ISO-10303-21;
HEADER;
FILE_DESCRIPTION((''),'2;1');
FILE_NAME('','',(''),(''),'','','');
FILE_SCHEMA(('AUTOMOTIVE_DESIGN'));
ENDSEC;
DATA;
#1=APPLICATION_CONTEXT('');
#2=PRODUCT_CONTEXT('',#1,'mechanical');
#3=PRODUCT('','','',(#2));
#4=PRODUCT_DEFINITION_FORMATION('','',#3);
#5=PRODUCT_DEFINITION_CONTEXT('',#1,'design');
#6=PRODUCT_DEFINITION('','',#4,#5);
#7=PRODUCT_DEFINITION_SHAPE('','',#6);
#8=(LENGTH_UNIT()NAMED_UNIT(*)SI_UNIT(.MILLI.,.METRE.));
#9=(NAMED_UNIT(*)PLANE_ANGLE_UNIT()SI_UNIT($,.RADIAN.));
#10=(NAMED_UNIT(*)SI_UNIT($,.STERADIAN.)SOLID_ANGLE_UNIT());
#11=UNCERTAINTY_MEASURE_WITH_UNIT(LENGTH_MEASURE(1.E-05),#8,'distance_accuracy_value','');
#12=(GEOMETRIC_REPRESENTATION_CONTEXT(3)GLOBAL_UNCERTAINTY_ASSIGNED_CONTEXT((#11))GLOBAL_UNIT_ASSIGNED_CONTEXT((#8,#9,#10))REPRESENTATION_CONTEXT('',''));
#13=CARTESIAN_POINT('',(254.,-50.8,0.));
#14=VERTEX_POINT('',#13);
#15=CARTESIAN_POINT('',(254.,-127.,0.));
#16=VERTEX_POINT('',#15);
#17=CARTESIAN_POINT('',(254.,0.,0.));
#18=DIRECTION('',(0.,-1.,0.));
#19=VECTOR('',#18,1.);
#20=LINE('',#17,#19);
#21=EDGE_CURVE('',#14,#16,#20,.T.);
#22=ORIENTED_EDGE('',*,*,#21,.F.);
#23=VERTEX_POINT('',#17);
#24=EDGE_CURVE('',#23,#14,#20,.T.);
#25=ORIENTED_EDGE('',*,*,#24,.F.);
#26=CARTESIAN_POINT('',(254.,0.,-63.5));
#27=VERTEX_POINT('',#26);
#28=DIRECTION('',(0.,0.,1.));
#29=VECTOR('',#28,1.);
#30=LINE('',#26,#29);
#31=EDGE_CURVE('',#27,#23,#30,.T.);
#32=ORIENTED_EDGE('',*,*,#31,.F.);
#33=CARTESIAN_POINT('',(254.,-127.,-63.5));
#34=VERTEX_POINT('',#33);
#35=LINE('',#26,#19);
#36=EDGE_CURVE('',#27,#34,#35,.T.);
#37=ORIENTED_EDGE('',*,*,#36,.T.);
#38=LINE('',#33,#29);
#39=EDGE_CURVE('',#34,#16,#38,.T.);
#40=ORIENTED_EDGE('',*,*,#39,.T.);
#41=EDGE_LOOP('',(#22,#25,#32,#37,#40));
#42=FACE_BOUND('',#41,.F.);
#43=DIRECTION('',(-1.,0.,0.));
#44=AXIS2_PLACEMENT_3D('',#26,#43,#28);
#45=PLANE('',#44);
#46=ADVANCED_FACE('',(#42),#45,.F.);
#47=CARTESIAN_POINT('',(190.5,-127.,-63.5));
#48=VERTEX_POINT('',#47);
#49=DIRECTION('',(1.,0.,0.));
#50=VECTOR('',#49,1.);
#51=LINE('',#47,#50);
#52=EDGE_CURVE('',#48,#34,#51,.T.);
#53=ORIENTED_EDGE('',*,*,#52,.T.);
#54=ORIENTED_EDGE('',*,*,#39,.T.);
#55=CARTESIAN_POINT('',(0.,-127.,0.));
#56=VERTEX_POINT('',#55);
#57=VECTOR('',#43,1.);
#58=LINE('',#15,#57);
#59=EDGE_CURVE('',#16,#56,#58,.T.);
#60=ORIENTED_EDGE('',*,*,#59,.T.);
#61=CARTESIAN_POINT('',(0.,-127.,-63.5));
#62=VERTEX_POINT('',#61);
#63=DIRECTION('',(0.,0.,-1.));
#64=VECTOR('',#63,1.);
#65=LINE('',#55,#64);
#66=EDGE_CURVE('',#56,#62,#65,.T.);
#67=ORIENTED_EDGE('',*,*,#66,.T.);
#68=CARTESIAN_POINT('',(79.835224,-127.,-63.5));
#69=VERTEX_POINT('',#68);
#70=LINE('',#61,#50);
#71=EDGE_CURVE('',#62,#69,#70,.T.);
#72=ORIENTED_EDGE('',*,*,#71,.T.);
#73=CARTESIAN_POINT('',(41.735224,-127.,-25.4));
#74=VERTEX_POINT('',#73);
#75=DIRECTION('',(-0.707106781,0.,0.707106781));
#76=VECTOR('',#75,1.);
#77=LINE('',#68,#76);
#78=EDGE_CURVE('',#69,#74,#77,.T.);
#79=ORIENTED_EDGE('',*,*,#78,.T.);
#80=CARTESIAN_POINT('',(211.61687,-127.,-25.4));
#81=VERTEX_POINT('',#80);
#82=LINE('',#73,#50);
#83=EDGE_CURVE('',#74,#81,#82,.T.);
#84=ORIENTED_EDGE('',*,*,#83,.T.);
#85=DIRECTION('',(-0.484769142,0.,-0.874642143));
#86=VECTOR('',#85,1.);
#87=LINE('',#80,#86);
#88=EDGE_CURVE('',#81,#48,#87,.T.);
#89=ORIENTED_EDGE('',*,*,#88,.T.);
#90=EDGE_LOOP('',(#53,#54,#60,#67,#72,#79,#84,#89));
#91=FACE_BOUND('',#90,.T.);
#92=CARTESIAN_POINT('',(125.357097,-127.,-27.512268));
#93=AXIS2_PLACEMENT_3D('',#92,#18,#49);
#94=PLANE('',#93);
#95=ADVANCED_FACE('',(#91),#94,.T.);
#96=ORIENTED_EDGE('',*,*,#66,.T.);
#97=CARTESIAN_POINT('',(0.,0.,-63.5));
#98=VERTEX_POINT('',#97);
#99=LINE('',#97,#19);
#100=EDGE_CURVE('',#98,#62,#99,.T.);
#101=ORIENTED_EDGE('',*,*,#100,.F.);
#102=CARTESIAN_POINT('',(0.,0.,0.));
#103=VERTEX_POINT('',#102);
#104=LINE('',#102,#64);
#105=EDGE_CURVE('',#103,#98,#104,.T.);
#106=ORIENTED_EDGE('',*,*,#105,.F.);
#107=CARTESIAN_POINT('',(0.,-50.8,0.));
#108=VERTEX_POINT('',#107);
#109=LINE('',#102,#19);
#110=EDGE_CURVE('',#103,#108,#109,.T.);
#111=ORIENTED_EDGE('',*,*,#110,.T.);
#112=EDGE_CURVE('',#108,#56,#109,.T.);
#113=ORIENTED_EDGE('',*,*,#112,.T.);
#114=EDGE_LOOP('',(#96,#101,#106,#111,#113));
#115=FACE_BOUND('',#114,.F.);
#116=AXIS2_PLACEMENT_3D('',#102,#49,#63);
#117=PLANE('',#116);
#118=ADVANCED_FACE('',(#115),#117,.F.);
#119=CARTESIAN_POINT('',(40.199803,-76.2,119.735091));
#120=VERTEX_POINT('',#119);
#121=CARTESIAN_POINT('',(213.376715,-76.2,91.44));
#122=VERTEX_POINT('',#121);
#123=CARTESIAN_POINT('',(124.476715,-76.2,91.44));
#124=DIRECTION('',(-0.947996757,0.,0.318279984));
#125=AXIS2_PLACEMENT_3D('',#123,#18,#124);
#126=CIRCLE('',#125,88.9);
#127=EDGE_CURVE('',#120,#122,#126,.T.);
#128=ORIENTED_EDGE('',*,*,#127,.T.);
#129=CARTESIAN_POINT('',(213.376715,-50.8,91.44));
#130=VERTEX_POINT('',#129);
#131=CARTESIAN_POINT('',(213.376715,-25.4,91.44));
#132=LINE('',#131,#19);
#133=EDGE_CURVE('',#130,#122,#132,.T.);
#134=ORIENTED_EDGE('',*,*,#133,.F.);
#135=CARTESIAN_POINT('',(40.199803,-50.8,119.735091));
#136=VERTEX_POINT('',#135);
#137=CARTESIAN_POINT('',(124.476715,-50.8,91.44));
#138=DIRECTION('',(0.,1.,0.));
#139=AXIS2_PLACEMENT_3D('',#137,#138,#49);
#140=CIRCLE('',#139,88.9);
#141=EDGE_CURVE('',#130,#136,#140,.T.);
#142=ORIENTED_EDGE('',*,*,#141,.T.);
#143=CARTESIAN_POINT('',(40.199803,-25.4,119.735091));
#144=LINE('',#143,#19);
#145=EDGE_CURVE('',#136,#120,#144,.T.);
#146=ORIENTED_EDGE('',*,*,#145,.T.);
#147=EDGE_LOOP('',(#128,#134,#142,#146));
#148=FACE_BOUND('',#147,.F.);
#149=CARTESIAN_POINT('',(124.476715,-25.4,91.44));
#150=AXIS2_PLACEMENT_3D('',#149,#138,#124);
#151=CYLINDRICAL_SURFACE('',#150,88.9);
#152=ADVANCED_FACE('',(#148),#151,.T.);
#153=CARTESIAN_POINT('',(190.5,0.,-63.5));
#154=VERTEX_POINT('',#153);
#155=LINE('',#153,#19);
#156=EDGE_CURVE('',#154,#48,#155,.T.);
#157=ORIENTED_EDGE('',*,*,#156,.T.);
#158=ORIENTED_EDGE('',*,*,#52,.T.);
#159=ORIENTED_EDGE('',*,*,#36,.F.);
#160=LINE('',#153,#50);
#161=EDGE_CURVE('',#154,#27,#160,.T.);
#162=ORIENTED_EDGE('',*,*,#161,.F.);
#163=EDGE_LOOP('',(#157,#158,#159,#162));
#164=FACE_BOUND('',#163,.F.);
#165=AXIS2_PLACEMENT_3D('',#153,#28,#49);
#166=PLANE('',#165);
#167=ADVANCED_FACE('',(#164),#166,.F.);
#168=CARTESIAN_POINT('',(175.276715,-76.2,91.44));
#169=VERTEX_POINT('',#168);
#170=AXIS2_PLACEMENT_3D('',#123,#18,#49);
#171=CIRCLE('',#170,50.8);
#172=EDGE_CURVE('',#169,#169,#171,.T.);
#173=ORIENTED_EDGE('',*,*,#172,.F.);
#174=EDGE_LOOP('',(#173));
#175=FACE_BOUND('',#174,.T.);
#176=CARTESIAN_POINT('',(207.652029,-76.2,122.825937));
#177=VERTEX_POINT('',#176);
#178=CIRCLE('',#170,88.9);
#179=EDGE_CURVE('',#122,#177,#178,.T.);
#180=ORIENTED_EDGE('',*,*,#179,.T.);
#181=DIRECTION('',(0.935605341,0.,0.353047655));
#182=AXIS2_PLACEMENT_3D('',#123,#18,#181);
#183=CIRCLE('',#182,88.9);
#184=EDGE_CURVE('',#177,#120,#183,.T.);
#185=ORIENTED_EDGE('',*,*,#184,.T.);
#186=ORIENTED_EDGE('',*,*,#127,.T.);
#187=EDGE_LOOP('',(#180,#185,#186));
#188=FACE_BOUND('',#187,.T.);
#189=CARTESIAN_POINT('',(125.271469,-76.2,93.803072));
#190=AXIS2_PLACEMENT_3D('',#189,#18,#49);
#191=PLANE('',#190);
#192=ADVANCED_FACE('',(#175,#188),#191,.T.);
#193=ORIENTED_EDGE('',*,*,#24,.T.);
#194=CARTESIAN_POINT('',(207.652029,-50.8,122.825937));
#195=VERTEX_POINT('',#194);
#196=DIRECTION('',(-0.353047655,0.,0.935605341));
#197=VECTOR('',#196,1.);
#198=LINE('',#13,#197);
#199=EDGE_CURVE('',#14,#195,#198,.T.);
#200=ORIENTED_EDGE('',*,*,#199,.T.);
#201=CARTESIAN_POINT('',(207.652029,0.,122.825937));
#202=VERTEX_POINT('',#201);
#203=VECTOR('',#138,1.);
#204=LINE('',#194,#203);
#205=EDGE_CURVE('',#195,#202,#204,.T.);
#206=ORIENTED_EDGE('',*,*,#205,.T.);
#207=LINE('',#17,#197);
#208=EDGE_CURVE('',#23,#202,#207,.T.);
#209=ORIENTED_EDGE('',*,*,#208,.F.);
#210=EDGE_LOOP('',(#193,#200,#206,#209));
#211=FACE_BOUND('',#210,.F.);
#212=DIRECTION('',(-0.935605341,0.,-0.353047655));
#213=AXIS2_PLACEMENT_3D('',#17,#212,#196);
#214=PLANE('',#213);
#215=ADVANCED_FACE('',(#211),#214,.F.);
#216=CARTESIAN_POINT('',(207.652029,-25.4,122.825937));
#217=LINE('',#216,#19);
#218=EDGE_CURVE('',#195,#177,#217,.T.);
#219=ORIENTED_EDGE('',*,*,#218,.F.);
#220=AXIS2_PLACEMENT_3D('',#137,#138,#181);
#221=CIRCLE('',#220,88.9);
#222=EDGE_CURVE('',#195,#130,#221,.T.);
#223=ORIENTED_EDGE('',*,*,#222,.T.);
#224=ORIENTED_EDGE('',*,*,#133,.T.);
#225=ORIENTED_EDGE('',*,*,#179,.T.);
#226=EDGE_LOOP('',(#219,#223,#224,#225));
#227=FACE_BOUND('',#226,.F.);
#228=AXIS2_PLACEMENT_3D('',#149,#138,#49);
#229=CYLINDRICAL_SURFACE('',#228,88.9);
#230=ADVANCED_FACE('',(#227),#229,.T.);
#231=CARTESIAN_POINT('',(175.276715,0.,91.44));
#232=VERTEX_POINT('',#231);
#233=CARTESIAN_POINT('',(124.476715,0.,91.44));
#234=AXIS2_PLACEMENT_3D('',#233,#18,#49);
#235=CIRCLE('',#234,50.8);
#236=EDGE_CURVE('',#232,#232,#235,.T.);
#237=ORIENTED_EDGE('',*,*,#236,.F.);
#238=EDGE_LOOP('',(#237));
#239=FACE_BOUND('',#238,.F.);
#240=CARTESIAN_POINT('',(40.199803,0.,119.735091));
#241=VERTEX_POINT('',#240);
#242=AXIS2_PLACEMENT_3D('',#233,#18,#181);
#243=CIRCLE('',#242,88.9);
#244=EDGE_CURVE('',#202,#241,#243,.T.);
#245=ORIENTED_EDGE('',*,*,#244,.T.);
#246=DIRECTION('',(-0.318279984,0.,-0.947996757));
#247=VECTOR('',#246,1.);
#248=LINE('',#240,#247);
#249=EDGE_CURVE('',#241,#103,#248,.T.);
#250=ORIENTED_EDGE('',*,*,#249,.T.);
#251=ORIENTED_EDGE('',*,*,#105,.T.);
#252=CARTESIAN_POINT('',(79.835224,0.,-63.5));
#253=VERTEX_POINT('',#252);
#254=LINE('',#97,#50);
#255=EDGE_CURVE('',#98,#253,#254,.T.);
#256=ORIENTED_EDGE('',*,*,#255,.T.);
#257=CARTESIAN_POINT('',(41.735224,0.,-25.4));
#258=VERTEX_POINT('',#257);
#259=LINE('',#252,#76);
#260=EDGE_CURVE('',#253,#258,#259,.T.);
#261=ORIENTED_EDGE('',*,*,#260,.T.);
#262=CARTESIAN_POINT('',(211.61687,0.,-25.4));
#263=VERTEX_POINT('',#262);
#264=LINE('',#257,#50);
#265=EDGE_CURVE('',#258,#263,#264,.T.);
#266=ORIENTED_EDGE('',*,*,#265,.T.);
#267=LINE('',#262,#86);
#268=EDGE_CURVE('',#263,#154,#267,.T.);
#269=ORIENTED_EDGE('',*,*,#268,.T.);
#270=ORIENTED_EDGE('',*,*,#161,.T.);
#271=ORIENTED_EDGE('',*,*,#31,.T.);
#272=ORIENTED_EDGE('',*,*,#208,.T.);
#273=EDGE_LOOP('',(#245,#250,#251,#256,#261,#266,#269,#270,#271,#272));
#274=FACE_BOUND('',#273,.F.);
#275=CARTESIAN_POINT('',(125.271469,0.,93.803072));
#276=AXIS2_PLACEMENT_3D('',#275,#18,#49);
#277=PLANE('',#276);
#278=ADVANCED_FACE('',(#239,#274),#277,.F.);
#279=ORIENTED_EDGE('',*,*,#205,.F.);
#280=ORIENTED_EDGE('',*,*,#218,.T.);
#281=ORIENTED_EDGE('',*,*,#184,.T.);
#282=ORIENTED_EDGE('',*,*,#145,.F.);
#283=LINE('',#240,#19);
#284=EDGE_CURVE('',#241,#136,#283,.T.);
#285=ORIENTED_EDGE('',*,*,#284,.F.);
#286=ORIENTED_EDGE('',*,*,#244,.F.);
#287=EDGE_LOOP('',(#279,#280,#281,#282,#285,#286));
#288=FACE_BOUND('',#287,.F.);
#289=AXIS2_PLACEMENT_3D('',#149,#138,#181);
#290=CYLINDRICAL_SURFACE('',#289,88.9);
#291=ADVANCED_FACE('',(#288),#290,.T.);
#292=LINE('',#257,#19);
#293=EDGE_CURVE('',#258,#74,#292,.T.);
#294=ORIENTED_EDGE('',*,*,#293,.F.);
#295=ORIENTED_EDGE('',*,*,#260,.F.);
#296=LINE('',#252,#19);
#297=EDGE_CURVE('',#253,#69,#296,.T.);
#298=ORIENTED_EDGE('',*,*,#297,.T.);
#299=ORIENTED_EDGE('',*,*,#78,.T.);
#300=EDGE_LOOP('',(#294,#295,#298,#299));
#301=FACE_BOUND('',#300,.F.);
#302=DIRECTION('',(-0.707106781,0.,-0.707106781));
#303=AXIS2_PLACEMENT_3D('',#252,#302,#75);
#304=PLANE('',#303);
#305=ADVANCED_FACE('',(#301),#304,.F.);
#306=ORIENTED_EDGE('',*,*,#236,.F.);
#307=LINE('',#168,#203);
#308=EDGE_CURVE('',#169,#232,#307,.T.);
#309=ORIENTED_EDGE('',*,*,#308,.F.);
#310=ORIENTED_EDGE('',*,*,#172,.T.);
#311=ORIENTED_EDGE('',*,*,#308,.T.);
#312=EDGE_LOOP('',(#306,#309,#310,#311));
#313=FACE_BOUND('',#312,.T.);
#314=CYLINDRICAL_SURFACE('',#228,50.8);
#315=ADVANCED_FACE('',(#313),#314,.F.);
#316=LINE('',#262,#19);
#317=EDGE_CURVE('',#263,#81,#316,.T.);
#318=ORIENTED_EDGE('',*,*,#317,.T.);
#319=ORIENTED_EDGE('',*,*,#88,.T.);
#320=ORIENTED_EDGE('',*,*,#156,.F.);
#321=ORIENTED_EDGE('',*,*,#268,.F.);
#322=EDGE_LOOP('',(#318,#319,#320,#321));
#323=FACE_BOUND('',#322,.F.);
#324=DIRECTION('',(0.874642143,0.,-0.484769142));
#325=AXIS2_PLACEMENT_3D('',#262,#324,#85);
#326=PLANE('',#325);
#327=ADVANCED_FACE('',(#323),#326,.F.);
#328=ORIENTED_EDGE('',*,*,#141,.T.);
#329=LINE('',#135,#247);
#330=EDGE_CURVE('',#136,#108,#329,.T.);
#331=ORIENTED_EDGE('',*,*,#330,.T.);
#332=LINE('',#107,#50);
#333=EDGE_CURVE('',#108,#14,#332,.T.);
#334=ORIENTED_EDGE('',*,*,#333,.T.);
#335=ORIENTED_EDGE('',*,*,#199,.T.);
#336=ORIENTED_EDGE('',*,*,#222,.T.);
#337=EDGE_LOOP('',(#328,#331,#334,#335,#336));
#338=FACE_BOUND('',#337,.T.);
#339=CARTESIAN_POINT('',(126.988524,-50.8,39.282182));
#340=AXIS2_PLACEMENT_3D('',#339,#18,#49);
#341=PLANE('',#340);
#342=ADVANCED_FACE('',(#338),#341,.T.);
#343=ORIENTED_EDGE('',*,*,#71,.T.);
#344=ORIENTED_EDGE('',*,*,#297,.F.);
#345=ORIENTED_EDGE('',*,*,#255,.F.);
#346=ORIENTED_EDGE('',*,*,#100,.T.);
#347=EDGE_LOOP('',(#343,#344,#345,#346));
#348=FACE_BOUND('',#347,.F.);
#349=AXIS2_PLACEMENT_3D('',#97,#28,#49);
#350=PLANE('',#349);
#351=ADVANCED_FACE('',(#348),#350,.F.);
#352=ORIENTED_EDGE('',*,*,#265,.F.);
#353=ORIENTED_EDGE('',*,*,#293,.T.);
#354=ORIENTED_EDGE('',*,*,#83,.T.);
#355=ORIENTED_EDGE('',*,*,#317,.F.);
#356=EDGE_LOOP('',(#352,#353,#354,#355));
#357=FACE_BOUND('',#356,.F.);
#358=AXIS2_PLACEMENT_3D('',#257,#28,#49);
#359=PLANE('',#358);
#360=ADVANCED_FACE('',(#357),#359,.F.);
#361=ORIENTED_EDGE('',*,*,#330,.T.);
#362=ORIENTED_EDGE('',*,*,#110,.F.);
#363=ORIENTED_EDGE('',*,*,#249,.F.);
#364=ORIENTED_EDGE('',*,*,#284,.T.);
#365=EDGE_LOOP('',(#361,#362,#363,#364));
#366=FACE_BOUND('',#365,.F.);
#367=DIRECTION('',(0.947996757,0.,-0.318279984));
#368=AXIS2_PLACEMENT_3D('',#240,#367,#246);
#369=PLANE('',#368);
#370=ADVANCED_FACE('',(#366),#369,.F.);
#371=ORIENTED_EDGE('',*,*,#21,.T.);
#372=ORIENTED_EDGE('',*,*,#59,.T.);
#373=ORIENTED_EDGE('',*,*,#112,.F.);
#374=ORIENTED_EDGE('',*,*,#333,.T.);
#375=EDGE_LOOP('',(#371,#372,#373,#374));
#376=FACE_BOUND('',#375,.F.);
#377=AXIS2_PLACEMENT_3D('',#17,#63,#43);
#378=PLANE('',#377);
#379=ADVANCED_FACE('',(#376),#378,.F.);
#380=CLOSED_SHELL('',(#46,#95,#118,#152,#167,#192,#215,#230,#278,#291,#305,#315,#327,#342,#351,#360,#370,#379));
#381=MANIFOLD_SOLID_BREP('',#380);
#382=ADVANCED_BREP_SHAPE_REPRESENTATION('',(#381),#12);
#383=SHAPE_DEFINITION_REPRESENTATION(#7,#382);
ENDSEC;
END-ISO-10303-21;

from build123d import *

# Parameters (mm, degrees)
F1_DEPTH = 127
F2_DEPTH = 50.8
F0_R     = 50.8
F3_DEPTH = 25.4
F4_DEPTH = 50.8


with BuildPart() as f1:
    # F0 (on Front) → F1 (new body)
    with BuildSketch(Plane.XZ):
        Polygon((254, 0), (0, 0), (0, -63.5), (79.8352242538, -63.5), (41.7352242538, -25.4), (211.6168698438, -25.4), (190.5, -63.5), (254, -63.5), align=None)
    extrude(amount=F1_DEPTH)

    # F0 (on Front) → F2 (join)
    with BuildSketch(Plane.XZ):
        with BuildLine():
            Line((40.1998028961, 119.7350906188), (0, 0))
            Line((0, 0), (254, 0))
            Line((254, 0), (207.6520293862, 122.8259365118))
            ThreePointArc((207.6520293862, 122.8259365118), (211.9338340509, 107.391873178), (213.3767146031, 91.44))
            ThreePointArc((213.3767146031, 91.44), (110.1415733543, 3.7033843519), (40.1998028961, 119.7350906188))
        make_face()
    extrude(amount=F2_DEPTH)

    # F0 (on Front) → F3 (join)
    with BuildSketch(Plane.XZ):
        with BuildLine():
            ThreePointArc((207.6520293862, 122.8259365118), (122.8360711229, 180.3248597286), (40.1998028961, 119.7350906188))
            ThreePointArc((40.1998028961, 119.7350906188), (110.1415733543, 3.7033843519), (213.3767146031, 91.44))
            ThreePointArc((213.3767146031, 91.44), (211.9338340509, 107.391873178), (207.6520293862, 122.8259365118))
        make_face()
        with Locations((124.4767146031, 91.44)):
            Circle(F0_R, mode=Mode.SUBTRACT)
    extrude(amount=F3_DEPTH)

    # F4 (add): a face of the model
    f4_faces = [f1.faces().sort_by_distance(p)[0] for p in [
        (122.8824755281, -25.4, 177.8108162462),
    ]]
    extrude(f4_faces, amount=F4_DEPTH)


solid = f1.part
